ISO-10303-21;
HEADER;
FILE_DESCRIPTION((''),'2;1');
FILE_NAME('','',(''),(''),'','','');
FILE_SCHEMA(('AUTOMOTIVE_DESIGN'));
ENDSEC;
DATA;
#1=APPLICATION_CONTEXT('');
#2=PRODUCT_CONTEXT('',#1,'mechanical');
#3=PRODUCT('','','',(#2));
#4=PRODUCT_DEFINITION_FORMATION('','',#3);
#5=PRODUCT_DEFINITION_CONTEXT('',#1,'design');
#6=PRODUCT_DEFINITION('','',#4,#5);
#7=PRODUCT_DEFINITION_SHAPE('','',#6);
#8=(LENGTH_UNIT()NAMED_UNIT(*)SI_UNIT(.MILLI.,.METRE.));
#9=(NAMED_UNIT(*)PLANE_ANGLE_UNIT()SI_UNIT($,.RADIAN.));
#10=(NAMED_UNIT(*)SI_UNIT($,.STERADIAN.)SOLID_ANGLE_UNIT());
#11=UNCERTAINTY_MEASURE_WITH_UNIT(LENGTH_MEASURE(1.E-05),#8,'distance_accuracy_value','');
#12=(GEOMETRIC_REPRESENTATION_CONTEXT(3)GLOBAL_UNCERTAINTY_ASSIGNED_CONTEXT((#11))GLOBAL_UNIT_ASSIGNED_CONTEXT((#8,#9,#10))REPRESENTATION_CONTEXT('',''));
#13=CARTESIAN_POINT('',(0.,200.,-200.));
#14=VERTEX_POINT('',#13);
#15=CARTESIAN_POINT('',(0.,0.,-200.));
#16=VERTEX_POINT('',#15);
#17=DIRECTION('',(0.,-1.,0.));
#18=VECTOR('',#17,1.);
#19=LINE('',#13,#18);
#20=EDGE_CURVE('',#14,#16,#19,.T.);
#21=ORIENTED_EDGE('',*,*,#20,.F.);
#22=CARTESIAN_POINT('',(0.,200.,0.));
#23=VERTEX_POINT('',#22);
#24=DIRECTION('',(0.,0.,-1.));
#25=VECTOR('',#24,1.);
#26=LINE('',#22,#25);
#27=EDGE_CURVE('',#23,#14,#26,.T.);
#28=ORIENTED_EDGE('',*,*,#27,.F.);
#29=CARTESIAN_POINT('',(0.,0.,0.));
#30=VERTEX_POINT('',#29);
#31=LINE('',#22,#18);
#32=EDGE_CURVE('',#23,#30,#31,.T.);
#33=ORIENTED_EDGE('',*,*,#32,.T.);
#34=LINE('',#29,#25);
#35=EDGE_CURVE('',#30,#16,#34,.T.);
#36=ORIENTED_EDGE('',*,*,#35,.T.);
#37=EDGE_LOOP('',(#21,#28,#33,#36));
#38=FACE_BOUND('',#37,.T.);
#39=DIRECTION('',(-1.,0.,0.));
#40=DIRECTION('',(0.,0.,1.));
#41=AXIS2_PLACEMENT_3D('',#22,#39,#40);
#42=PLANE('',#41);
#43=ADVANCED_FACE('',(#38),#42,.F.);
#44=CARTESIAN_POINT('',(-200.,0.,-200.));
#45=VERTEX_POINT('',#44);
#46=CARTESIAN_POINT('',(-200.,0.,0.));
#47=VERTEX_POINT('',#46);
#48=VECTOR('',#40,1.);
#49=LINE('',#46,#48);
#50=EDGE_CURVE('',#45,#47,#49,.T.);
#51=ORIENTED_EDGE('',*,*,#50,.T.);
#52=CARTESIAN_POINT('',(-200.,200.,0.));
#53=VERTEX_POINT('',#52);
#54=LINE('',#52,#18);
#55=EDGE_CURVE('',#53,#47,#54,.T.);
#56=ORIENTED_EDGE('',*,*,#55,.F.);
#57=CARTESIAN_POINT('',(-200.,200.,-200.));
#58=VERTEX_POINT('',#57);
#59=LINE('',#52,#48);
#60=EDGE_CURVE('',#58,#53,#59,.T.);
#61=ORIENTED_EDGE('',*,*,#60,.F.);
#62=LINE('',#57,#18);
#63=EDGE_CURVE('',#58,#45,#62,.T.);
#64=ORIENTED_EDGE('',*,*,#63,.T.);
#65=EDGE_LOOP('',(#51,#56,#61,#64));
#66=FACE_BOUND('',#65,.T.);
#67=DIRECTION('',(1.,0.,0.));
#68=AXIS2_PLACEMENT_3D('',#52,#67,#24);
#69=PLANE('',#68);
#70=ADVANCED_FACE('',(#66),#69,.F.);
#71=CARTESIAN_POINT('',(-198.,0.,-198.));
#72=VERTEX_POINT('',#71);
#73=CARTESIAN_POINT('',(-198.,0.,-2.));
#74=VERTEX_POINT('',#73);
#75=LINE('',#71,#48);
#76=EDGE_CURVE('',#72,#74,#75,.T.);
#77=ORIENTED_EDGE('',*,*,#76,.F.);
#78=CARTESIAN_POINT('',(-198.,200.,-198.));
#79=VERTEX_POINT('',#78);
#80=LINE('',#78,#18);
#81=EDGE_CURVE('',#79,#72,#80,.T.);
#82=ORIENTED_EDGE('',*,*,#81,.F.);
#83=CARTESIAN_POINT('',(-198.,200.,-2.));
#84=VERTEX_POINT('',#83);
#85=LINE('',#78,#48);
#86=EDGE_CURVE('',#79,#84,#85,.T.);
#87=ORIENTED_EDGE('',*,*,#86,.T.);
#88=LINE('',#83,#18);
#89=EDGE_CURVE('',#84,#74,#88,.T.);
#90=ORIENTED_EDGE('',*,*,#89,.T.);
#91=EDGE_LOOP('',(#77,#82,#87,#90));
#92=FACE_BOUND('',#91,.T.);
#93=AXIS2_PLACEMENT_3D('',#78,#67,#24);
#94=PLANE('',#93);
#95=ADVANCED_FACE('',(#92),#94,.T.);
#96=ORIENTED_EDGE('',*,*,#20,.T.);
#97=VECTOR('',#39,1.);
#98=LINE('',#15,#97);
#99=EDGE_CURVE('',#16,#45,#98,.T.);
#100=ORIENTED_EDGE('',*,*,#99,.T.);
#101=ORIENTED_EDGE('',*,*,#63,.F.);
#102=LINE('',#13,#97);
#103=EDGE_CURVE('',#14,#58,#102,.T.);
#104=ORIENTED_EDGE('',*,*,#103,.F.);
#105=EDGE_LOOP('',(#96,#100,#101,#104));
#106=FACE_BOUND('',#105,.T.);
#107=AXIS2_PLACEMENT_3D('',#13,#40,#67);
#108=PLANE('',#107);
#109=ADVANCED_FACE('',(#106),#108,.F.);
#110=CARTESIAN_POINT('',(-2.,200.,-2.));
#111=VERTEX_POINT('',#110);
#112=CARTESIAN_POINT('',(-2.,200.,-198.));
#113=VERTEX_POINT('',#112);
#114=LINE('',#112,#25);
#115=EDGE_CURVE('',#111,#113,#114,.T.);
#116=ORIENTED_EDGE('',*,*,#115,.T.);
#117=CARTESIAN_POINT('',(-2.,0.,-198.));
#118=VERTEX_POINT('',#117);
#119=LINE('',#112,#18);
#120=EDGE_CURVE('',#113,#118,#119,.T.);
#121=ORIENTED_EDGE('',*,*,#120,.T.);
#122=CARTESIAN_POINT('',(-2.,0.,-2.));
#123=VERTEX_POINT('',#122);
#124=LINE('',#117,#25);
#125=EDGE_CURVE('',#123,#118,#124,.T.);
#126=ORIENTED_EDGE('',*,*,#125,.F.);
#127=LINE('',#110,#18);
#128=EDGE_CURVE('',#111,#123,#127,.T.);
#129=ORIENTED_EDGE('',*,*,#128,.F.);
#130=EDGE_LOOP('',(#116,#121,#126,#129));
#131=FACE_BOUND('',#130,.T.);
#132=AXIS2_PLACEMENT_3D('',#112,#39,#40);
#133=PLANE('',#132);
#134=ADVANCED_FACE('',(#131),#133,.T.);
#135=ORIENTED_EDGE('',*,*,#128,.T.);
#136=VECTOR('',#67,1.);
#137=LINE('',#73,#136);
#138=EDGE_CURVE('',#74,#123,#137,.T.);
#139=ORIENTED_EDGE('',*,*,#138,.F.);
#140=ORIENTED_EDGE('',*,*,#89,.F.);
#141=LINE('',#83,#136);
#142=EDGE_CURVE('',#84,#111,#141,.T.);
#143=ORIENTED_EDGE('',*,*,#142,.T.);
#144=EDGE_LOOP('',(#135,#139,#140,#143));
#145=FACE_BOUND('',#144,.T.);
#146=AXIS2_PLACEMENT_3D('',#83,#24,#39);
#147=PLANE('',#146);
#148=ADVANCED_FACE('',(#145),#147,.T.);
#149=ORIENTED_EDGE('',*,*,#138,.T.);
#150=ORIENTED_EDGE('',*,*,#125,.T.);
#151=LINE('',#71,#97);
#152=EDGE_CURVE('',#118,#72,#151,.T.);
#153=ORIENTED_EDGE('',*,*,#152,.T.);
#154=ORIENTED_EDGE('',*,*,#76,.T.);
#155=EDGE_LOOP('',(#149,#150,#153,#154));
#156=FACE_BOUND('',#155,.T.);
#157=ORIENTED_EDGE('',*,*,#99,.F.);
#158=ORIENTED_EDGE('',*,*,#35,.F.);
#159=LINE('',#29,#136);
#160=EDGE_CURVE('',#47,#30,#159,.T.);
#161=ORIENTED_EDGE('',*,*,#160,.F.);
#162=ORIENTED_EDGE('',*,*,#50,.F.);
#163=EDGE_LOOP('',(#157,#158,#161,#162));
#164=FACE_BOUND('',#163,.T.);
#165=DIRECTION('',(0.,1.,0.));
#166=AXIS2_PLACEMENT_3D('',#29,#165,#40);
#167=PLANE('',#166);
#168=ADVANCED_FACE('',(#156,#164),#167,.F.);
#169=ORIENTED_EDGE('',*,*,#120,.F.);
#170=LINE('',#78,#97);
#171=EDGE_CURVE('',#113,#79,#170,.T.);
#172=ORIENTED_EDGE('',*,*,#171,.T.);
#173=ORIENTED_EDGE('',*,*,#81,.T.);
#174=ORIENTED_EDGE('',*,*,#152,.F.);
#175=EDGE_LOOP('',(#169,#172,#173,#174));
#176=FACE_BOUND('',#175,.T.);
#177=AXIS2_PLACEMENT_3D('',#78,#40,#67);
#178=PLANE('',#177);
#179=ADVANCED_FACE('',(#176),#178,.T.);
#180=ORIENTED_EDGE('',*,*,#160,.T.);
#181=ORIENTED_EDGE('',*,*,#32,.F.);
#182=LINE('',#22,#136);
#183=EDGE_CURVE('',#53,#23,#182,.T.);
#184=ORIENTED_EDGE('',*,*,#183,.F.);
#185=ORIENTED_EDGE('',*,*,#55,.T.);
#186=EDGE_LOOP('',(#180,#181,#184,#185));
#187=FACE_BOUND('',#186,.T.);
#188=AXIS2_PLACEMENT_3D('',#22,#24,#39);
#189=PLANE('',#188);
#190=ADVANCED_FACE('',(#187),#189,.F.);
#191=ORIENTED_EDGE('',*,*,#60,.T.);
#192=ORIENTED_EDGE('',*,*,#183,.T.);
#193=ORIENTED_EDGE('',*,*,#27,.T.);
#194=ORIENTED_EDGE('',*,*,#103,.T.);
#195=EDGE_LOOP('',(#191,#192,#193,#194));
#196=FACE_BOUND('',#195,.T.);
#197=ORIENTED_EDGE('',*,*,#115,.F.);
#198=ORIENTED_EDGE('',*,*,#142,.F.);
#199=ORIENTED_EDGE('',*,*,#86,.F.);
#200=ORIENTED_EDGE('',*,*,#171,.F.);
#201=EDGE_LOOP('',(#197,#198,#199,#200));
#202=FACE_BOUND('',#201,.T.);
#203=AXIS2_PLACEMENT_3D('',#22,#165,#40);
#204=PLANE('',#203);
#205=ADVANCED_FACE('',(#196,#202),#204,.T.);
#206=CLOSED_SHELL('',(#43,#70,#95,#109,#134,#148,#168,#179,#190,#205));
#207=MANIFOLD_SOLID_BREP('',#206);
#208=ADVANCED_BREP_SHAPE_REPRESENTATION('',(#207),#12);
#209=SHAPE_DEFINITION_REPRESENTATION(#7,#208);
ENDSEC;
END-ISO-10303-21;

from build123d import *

# Parameters (mm, degrees)
SKETCH_1_W      = 200
SKETCH_1_H      = 200
SKETCH_1_W_2    = 196
SKETCH_1_H_2    = 196
EXTRUDE_1_DEPTH = 200


with BuildPart() as part:
    # 草图1 → 凸台-拉伸1 (new body)
    with BuildSketch(Plane(origin=(0, 0, 0), x_dir=(1, 0, 0), z_dir=(0, 1, 0))):
        with Locations((-100, 100)):
            Rectangle(SKETCH_1_W, SKETCH_1_H)
        with Locations((-100, 100)):
            Rectangle(SKETCH_1_W_2, SKETCH_1_H_2, mode=Mode.SUBTRACT)
    extrude(amount=EXTRUDE_1_DEPTH)


solid = part.part
